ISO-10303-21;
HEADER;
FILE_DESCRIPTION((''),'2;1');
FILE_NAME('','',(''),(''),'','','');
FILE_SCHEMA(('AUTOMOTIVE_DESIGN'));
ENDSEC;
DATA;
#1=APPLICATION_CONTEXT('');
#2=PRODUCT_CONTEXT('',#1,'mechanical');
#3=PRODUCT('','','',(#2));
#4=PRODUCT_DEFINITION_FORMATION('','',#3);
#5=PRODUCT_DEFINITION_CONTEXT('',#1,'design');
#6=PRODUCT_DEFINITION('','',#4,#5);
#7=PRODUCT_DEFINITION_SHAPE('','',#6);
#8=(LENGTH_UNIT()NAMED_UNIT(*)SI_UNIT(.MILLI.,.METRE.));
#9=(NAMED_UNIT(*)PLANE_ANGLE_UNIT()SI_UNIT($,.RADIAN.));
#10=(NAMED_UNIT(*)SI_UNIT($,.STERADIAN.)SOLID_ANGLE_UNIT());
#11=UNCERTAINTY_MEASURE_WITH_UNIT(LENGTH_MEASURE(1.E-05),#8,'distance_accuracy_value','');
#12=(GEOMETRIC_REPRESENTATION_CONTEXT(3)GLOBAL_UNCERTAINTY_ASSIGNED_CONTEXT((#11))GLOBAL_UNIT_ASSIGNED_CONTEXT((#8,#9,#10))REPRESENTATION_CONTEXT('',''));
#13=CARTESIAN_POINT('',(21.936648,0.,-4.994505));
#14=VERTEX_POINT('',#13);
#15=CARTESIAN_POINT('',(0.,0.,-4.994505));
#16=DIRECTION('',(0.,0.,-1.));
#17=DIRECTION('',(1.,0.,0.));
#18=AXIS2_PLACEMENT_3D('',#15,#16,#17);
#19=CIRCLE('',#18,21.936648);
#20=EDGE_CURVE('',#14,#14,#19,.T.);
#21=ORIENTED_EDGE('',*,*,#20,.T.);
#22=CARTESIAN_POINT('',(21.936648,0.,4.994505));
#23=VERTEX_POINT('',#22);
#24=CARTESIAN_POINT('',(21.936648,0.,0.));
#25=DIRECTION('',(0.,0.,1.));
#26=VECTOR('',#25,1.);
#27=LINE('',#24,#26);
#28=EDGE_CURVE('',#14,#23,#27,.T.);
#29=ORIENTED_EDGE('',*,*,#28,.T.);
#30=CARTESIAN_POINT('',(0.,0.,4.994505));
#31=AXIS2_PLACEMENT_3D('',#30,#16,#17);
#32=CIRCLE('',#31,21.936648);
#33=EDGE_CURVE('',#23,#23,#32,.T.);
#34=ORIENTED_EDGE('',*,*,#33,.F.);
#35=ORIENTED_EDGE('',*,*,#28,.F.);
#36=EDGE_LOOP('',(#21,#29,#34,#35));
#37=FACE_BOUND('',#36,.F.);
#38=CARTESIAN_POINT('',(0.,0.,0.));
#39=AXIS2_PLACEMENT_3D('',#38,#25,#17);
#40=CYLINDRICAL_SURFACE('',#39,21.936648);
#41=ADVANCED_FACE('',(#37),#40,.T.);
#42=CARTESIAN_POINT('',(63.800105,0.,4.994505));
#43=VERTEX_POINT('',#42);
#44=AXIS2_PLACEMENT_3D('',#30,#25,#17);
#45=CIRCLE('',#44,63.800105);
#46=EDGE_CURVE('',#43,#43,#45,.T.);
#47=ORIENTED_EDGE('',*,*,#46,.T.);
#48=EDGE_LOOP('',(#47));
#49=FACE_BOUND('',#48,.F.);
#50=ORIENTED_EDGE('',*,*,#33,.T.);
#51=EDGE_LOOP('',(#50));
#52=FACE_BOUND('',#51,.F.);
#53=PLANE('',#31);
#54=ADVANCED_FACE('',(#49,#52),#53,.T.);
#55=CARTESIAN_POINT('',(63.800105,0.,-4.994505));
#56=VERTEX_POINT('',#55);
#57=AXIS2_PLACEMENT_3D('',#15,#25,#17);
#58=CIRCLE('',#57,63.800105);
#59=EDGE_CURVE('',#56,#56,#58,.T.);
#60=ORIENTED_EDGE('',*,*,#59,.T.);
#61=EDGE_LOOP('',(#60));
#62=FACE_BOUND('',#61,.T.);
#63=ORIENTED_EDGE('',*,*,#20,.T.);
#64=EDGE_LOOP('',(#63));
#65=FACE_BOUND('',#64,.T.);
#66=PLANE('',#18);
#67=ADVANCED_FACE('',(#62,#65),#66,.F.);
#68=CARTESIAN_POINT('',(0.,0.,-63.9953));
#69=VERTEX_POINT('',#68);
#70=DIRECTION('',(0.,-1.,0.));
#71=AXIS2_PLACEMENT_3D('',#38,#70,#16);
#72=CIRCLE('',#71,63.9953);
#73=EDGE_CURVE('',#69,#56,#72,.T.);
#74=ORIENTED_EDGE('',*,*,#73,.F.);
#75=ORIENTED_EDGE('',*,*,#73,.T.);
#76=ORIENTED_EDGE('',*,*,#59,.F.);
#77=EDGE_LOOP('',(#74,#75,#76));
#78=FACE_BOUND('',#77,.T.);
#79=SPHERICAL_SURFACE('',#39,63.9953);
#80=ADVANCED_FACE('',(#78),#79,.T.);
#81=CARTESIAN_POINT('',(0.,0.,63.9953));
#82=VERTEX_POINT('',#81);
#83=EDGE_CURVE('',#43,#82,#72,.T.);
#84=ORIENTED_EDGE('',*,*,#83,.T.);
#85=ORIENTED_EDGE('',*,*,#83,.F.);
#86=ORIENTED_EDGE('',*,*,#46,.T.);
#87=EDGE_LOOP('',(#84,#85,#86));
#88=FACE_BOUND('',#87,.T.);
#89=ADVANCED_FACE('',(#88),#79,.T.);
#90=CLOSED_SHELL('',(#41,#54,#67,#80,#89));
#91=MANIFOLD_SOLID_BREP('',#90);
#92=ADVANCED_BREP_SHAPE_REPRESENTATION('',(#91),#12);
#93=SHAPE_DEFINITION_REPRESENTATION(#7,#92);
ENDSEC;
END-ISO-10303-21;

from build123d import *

# Parameters (mm, degrees)
F3_W = 50.92436
F3_H = 9.98901


with BuildPart() as f1:
    # F0 (on Front) → F1 (revolve)
    with BuildSketch(Plane.XZ):
        with BuildLine():
            Line((0, 63.9953), (0, -63.9953))
            ThreePointArc((0, -63.9953), (63.9953, 0), (0, 63.9953))
        make_face()
    revolve(axis=Axis((0, 0, 0), (0, 0, 1)))

    # F3 (on Front) → F4 (revolve, cut)
    with BuildSketch(Plane.XZ):
        with Locations((47.398828, 0)):
            Rectangle(F3_W, F3_H)
    revolve(axis=Axis((0, 0, 0.097934), (0, 0, -1)), mode=Mode.SUBTRACT)


solid = f1.part
